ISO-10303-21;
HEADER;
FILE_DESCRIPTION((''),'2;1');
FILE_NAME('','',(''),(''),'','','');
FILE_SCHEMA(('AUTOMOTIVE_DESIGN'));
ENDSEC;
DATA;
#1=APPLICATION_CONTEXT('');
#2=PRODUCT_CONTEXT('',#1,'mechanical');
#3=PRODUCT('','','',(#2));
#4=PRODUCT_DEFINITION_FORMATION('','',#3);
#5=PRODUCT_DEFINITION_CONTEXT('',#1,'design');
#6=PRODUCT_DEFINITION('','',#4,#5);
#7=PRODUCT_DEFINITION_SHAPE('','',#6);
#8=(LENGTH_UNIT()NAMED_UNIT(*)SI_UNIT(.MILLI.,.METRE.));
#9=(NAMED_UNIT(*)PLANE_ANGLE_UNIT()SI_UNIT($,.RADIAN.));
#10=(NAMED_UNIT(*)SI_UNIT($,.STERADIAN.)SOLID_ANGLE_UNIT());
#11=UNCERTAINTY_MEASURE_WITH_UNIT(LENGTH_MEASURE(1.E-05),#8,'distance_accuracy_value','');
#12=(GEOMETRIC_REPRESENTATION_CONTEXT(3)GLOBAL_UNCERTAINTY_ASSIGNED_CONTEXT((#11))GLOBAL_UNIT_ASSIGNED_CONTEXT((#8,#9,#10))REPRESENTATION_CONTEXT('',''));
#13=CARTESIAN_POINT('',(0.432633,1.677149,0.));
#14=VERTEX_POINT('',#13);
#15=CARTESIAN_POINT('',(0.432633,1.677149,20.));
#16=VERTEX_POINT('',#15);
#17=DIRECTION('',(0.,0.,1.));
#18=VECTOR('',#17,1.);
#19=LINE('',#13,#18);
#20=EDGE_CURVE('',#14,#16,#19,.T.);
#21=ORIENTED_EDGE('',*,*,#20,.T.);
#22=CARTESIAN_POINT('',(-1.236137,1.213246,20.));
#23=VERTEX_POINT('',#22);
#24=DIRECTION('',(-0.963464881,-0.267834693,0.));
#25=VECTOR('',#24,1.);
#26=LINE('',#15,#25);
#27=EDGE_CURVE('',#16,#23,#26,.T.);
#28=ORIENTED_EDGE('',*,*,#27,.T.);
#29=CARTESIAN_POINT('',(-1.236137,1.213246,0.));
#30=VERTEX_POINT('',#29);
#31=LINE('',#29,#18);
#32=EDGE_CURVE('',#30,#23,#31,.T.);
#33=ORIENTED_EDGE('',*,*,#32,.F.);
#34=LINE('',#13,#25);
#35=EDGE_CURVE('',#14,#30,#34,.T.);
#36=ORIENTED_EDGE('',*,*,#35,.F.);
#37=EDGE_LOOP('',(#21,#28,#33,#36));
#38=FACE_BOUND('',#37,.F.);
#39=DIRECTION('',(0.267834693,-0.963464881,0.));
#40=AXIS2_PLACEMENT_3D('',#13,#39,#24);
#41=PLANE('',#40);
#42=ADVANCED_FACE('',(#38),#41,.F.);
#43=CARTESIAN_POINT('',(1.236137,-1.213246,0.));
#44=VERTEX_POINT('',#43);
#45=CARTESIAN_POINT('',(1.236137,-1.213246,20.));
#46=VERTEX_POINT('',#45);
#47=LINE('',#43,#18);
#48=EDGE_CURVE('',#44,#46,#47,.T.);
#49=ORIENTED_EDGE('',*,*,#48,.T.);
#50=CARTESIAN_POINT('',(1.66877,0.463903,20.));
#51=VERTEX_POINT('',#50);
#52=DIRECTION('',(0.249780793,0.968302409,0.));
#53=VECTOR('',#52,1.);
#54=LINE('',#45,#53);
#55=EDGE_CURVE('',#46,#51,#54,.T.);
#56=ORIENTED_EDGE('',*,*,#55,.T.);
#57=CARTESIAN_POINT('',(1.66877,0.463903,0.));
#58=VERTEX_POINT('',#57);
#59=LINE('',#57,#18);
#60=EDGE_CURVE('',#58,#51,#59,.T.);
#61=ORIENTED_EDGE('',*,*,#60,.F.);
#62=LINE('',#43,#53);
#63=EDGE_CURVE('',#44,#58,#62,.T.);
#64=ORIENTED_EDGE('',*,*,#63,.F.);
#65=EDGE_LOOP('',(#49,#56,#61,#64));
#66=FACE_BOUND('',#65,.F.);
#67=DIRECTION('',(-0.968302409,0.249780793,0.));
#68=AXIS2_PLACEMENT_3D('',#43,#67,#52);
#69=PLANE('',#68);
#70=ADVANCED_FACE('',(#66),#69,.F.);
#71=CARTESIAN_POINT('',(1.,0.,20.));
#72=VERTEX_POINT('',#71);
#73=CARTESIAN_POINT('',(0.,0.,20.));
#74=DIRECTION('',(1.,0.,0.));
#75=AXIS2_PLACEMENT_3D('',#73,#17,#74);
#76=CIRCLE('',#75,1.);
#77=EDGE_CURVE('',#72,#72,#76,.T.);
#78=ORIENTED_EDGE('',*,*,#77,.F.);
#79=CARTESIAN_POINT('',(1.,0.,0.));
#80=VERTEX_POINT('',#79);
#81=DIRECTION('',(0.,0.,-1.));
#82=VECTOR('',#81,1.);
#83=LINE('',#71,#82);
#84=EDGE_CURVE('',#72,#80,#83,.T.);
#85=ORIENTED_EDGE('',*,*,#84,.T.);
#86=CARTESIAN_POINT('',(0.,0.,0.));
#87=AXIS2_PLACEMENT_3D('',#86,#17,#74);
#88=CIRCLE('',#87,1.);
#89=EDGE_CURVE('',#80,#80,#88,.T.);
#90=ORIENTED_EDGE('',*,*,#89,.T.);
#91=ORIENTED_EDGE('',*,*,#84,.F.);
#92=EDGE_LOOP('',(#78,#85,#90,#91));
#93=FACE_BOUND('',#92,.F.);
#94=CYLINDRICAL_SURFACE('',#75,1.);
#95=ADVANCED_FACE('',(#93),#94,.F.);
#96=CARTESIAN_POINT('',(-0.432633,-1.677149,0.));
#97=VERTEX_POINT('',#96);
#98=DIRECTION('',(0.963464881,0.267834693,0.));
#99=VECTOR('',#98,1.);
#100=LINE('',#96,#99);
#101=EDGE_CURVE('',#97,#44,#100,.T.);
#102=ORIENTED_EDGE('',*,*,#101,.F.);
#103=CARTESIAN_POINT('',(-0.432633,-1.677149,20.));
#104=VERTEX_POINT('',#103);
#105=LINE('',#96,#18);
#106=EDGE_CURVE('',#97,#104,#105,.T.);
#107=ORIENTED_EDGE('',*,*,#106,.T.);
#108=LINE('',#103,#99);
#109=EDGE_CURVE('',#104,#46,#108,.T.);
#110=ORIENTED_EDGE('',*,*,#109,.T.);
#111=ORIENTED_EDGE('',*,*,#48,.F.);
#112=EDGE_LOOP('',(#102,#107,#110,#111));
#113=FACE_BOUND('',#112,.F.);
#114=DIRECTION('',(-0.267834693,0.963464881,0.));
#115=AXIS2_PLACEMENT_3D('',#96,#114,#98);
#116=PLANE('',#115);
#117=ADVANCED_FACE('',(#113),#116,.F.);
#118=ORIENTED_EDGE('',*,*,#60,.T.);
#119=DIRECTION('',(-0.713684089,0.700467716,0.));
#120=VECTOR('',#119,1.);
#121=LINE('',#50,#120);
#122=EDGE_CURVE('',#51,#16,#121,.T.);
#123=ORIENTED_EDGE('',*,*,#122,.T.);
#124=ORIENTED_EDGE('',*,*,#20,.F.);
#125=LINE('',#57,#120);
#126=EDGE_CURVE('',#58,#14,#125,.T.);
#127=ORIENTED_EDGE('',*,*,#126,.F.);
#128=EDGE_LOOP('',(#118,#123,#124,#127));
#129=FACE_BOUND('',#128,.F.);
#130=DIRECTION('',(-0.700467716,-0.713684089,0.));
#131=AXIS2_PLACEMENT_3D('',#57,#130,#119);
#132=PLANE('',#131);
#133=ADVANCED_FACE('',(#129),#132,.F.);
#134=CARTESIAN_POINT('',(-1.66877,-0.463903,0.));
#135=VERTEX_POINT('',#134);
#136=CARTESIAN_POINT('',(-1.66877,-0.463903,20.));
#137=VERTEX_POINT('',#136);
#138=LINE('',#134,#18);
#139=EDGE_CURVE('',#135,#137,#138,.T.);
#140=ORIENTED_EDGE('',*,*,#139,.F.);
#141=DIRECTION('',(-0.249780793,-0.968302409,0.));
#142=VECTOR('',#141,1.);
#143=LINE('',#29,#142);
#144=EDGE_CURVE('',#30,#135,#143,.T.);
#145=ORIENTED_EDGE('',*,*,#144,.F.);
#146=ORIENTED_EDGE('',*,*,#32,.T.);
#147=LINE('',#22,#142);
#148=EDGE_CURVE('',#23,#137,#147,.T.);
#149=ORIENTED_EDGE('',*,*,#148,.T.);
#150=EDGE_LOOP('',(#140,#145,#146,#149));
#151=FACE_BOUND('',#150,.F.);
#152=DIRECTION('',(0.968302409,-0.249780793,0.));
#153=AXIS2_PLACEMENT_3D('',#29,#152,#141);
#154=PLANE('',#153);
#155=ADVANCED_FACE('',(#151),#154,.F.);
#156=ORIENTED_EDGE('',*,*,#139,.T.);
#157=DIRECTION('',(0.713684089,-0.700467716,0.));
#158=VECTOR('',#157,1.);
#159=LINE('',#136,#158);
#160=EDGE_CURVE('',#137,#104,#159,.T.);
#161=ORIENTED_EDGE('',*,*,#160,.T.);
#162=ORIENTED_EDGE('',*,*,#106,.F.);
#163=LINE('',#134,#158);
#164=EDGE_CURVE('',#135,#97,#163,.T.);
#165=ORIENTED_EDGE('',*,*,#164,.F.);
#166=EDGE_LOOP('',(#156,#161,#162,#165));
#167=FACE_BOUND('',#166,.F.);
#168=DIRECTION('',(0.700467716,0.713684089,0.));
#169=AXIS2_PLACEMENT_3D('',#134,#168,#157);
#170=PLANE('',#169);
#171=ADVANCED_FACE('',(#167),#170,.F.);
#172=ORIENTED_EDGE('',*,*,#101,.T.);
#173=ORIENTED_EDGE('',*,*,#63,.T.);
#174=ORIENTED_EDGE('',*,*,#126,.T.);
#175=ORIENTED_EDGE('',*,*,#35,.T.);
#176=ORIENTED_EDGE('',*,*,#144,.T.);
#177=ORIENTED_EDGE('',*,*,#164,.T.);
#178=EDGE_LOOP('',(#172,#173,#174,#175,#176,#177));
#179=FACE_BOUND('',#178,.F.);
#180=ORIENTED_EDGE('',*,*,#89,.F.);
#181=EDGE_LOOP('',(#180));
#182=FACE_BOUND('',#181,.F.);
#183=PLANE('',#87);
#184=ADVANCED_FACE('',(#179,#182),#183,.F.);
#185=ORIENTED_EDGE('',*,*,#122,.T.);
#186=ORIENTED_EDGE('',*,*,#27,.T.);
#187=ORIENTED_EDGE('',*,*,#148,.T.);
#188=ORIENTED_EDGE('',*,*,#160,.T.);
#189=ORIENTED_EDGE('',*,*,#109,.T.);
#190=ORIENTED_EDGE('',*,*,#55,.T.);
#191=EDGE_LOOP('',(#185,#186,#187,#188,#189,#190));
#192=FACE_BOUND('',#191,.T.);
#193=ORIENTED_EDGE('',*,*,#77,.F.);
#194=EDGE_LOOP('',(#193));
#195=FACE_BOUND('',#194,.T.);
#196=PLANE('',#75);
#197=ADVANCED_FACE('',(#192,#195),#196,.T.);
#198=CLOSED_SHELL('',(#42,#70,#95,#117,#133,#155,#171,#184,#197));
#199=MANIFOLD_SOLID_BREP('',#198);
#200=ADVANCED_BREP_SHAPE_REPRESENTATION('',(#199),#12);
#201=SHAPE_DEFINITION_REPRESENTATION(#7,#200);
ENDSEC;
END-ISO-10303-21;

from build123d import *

# Parameters (mm, degrees)
EXTRUDE_1_DEPTH     = 20
SKETCH_2_R          = 1
CUT_EXTRUDE_1_DEPTH = 20


with BuildPart() as part:
    # 草图1 → 凸台-拉伸1 (new body)
    with BuildSketch(Plane.XY):
        Polygon((1.236137102, -1.213245674), (1.668770126, 0.463903296), (0.432633024, 1.67714897), (-1.236137102, 1.213245674), (-1.668770126, -0.463903296), (-0.432633024, -1.67714897), align=None)
    extrude(amount=EXTRUDE_1_DEPTH)

    # 草图2 → 切除-拉伸1 (cut)
    with BuildSketch(Plane.XY.offset(20)):
        Circle(SKETCH_2_R)
    extrude(amount=-CUT_EXTRUDE_1_DEPTH, mode=Mode.SUBTRACT)


solid = part.part
